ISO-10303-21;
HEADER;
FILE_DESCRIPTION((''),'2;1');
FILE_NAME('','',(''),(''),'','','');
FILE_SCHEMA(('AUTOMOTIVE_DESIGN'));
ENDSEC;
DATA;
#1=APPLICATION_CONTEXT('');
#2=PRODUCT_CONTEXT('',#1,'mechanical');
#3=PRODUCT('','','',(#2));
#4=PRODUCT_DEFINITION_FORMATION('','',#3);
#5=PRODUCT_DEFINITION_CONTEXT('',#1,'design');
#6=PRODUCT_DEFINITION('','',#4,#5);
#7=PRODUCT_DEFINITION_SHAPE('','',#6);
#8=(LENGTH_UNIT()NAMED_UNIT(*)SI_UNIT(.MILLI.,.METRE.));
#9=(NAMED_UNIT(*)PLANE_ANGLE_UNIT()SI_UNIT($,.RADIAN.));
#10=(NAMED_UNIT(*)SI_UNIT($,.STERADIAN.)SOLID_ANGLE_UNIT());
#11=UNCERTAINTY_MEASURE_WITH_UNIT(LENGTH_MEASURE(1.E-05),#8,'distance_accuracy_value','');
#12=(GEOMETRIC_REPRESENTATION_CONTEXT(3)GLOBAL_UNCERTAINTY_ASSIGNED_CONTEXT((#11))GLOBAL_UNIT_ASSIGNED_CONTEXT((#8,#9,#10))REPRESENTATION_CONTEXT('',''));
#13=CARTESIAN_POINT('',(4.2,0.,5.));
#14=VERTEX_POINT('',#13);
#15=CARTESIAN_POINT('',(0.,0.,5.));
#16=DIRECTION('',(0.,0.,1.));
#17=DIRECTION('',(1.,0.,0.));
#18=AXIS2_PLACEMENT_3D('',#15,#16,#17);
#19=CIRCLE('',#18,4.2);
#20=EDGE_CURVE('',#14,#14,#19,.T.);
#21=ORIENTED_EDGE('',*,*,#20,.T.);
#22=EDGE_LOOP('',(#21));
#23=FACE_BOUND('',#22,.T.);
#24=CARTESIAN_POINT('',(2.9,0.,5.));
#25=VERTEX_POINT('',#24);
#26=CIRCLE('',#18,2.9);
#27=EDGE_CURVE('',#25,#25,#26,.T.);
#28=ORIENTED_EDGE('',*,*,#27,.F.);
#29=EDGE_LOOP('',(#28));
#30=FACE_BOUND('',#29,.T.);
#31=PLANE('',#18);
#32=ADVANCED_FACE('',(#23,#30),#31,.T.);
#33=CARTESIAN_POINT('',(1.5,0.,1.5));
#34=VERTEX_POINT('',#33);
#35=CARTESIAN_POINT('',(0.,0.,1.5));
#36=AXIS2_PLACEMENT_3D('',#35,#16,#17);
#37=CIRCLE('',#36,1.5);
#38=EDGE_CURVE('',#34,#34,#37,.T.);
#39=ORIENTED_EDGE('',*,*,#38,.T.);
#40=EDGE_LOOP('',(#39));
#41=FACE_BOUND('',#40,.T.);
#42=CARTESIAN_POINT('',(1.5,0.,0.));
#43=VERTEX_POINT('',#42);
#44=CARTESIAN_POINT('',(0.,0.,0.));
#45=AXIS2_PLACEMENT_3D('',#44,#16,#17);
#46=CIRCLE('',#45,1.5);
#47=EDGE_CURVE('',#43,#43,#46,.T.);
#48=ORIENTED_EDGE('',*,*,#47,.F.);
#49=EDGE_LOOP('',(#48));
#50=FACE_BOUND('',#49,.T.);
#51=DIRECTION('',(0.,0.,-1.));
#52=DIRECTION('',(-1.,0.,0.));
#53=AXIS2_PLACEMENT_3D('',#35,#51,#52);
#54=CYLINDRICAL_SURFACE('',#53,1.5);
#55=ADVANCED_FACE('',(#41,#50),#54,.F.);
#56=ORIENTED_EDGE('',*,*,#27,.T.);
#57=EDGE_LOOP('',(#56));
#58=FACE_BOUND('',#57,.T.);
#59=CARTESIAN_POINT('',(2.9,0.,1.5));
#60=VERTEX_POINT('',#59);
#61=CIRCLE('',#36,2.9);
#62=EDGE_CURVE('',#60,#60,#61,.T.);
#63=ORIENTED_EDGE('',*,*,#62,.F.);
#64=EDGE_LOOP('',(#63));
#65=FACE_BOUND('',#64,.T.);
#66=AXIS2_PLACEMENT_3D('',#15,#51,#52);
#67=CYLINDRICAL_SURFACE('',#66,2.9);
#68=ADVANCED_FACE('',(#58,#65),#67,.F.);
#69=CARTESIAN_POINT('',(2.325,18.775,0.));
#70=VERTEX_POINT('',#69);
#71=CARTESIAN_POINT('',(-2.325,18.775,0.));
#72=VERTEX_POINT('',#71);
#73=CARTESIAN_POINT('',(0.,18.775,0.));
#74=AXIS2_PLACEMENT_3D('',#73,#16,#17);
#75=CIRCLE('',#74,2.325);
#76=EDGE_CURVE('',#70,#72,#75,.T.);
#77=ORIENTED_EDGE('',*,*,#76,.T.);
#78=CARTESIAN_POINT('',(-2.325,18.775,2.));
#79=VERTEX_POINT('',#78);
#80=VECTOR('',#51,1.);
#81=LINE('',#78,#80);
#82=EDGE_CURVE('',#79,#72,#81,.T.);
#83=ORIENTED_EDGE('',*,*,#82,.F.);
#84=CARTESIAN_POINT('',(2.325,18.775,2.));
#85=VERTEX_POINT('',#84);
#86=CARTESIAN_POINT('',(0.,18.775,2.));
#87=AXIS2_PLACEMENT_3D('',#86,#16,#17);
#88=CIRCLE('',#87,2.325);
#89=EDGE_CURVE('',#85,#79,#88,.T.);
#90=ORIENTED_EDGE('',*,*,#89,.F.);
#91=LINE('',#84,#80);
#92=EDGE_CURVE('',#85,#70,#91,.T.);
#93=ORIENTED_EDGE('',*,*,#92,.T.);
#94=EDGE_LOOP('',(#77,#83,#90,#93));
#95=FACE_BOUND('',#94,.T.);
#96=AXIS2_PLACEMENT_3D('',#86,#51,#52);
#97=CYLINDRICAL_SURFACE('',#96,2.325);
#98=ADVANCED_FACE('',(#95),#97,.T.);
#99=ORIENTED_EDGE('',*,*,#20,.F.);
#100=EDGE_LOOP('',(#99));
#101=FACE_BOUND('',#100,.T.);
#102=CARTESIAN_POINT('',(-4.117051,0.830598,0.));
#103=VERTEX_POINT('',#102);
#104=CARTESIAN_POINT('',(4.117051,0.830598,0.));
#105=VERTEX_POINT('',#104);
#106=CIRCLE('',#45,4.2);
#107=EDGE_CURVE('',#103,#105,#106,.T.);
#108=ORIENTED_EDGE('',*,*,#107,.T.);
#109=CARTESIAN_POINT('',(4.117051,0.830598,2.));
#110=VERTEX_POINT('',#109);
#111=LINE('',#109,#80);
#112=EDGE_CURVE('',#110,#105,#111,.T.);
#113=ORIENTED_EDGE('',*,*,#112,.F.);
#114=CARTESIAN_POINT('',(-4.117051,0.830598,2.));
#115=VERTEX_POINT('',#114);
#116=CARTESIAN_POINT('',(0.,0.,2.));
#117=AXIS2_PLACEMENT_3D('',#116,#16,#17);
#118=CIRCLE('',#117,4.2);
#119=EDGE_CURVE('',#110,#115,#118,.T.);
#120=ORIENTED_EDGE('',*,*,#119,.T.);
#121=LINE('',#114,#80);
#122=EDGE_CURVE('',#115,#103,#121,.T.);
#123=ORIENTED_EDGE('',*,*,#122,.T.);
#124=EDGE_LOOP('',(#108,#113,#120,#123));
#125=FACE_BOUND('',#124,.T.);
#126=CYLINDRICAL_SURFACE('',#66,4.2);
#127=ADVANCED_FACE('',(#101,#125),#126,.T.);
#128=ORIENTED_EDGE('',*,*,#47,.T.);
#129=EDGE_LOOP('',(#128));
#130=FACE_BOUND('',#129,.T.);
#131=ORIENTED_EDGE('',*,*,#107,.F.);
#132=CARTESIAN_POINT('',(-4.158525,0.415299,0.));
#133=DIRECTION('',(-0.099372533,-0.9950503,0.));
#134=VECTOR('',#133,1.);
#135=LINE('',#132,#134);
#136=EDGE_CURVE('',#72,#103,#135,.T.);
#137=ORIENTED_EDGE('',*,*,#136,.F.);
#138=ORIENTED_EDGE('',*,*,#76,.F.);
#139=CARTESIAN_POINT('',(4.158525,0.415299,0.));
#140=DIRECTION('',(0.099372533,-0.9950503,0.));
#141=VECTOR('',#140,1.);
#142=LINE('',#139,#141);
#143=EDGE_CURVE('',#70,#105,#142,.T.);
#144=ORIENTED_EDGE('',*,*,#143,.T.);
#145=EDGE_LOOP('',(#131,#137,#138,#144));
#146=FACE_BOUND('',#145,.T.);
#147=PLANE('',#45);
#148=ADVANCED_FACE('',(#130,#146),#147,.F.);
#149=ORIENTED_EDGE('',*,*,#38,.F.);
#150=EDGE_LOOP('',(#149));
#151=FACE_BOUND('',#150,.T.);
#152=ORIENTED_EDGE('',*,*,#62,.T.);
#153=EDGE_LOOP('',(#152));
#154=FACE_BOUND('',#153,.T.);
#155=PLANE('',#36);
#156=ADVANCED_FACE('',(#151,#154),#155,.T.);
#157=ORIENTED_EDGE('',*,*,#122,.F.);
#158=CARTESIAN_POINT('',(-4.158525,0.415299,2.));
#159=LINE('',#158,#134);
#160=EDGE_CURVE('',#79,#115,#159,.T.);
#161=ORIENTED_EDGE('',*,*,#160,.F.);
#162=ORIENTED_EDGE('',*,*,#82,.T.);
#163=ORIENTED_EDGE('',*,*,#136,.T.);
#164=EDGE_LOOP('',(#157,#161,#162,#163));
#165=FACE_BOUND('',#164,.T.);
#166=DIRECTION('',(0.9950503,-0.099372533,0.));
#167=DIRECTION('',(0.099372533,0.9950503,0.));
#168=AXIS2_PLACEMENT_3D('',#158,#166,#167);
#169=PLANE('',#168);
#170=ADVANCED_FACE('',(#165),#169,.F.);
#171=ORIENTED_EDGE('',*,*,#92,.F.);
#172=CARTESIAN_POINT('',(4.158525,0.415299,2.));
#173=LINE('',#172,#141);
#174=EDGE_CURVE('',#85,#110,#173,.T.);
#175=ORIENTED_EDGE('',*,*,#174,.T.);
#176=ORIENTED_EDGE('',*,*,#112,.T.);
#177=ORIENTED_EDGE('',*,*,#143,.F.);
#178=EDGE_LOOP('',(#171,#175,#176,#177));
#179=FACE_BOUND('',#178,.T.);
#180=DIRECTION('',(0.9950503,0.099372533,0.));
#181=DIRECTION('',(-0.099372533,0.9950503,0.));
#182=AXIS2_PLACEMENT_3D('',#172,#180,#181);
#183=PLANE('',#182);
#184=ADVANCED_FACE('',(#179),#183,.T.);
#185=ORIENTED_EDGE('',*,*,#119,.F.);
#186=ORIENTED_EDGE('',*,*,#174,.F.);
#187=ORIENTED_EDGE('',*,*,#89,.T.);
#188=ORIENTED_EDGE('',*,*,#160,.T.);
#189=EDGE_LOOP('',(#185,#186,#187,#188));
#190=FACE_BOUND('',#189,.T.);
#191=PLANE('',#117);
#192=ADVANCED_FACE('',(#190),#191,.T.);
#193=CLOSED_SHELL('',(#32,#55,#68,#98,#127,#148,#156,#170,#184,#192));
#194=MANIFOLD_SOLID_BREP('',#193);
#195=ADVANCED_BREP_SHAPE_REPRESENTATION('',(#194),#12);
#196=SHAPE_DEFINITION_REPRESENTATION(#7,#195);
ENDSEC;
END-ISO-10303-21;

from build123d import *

# Parameters (mm, degrees)
BOSS_EXTRUDE1_DEPTH = 2
SKETCH1_3_R         = 2.9
BOSS_EXTRUDE2_DEPTH = 5
SKETCH1_4_R         = 2.9
SKETCH1_4_R_2       = 1.5
BOSS_EXTRUDE3_DEPTH = 1.5


with BuildPart() as part:
    # Sketch1 → Boss-Extrude1 (new body)
    with BuildSketch(Plane.XY):
        with BuildLine():
            ThreePointArc((-4.117050837, 0.83059762), (0, 4.2), (4.117050837, 0.83059762))
            Line((4.117050837, 0.83059762), (2.325, 18.775))
            ThreePointArc((2.325, 18.775), (0, 21.1), (-2.325, 18.775))
            Line((-2.325, 18.775), (-4.117050837, 0.83059762))
        make_face()
    extrude(amount=BOSS_EXTRUDE1_DEPTH)

    # Sketch1<3> → Boss-Extrude2 (add)
    with BuildSketch(Plane.XY):
        with BuildLine():
            ThreePointArc((4.2, 0), (4.17921126, 0.41736464), (4.117050837, 0.83059762))
            ThreePointArc((4.117050837, 0.83059762), (0, 4.2), (-4.117050837, 0.83059762))
            ThreePointArc((-4.117050837, 0.83059762), (-0.41736464, -4.17921126), (4.2, 0))
        make_face()
        Circle(SKETCH1_3_R, mode=Mode.SUBTRACT)
    extrude(amount=BOSS_EXTRUDE2_DEPTH)

    # Sketch1<4> → Boss-Extrude3 (add)
    with BuildSketch(Plane.XY):
        Circle(SKETCH1_4_R)
        Circle(SKETCH1_4_R_2, mode=Mode.SUBTRACT)
    extrude(amount=BOSS_EXTRUDE3_DEPTH)


solid = part.part
